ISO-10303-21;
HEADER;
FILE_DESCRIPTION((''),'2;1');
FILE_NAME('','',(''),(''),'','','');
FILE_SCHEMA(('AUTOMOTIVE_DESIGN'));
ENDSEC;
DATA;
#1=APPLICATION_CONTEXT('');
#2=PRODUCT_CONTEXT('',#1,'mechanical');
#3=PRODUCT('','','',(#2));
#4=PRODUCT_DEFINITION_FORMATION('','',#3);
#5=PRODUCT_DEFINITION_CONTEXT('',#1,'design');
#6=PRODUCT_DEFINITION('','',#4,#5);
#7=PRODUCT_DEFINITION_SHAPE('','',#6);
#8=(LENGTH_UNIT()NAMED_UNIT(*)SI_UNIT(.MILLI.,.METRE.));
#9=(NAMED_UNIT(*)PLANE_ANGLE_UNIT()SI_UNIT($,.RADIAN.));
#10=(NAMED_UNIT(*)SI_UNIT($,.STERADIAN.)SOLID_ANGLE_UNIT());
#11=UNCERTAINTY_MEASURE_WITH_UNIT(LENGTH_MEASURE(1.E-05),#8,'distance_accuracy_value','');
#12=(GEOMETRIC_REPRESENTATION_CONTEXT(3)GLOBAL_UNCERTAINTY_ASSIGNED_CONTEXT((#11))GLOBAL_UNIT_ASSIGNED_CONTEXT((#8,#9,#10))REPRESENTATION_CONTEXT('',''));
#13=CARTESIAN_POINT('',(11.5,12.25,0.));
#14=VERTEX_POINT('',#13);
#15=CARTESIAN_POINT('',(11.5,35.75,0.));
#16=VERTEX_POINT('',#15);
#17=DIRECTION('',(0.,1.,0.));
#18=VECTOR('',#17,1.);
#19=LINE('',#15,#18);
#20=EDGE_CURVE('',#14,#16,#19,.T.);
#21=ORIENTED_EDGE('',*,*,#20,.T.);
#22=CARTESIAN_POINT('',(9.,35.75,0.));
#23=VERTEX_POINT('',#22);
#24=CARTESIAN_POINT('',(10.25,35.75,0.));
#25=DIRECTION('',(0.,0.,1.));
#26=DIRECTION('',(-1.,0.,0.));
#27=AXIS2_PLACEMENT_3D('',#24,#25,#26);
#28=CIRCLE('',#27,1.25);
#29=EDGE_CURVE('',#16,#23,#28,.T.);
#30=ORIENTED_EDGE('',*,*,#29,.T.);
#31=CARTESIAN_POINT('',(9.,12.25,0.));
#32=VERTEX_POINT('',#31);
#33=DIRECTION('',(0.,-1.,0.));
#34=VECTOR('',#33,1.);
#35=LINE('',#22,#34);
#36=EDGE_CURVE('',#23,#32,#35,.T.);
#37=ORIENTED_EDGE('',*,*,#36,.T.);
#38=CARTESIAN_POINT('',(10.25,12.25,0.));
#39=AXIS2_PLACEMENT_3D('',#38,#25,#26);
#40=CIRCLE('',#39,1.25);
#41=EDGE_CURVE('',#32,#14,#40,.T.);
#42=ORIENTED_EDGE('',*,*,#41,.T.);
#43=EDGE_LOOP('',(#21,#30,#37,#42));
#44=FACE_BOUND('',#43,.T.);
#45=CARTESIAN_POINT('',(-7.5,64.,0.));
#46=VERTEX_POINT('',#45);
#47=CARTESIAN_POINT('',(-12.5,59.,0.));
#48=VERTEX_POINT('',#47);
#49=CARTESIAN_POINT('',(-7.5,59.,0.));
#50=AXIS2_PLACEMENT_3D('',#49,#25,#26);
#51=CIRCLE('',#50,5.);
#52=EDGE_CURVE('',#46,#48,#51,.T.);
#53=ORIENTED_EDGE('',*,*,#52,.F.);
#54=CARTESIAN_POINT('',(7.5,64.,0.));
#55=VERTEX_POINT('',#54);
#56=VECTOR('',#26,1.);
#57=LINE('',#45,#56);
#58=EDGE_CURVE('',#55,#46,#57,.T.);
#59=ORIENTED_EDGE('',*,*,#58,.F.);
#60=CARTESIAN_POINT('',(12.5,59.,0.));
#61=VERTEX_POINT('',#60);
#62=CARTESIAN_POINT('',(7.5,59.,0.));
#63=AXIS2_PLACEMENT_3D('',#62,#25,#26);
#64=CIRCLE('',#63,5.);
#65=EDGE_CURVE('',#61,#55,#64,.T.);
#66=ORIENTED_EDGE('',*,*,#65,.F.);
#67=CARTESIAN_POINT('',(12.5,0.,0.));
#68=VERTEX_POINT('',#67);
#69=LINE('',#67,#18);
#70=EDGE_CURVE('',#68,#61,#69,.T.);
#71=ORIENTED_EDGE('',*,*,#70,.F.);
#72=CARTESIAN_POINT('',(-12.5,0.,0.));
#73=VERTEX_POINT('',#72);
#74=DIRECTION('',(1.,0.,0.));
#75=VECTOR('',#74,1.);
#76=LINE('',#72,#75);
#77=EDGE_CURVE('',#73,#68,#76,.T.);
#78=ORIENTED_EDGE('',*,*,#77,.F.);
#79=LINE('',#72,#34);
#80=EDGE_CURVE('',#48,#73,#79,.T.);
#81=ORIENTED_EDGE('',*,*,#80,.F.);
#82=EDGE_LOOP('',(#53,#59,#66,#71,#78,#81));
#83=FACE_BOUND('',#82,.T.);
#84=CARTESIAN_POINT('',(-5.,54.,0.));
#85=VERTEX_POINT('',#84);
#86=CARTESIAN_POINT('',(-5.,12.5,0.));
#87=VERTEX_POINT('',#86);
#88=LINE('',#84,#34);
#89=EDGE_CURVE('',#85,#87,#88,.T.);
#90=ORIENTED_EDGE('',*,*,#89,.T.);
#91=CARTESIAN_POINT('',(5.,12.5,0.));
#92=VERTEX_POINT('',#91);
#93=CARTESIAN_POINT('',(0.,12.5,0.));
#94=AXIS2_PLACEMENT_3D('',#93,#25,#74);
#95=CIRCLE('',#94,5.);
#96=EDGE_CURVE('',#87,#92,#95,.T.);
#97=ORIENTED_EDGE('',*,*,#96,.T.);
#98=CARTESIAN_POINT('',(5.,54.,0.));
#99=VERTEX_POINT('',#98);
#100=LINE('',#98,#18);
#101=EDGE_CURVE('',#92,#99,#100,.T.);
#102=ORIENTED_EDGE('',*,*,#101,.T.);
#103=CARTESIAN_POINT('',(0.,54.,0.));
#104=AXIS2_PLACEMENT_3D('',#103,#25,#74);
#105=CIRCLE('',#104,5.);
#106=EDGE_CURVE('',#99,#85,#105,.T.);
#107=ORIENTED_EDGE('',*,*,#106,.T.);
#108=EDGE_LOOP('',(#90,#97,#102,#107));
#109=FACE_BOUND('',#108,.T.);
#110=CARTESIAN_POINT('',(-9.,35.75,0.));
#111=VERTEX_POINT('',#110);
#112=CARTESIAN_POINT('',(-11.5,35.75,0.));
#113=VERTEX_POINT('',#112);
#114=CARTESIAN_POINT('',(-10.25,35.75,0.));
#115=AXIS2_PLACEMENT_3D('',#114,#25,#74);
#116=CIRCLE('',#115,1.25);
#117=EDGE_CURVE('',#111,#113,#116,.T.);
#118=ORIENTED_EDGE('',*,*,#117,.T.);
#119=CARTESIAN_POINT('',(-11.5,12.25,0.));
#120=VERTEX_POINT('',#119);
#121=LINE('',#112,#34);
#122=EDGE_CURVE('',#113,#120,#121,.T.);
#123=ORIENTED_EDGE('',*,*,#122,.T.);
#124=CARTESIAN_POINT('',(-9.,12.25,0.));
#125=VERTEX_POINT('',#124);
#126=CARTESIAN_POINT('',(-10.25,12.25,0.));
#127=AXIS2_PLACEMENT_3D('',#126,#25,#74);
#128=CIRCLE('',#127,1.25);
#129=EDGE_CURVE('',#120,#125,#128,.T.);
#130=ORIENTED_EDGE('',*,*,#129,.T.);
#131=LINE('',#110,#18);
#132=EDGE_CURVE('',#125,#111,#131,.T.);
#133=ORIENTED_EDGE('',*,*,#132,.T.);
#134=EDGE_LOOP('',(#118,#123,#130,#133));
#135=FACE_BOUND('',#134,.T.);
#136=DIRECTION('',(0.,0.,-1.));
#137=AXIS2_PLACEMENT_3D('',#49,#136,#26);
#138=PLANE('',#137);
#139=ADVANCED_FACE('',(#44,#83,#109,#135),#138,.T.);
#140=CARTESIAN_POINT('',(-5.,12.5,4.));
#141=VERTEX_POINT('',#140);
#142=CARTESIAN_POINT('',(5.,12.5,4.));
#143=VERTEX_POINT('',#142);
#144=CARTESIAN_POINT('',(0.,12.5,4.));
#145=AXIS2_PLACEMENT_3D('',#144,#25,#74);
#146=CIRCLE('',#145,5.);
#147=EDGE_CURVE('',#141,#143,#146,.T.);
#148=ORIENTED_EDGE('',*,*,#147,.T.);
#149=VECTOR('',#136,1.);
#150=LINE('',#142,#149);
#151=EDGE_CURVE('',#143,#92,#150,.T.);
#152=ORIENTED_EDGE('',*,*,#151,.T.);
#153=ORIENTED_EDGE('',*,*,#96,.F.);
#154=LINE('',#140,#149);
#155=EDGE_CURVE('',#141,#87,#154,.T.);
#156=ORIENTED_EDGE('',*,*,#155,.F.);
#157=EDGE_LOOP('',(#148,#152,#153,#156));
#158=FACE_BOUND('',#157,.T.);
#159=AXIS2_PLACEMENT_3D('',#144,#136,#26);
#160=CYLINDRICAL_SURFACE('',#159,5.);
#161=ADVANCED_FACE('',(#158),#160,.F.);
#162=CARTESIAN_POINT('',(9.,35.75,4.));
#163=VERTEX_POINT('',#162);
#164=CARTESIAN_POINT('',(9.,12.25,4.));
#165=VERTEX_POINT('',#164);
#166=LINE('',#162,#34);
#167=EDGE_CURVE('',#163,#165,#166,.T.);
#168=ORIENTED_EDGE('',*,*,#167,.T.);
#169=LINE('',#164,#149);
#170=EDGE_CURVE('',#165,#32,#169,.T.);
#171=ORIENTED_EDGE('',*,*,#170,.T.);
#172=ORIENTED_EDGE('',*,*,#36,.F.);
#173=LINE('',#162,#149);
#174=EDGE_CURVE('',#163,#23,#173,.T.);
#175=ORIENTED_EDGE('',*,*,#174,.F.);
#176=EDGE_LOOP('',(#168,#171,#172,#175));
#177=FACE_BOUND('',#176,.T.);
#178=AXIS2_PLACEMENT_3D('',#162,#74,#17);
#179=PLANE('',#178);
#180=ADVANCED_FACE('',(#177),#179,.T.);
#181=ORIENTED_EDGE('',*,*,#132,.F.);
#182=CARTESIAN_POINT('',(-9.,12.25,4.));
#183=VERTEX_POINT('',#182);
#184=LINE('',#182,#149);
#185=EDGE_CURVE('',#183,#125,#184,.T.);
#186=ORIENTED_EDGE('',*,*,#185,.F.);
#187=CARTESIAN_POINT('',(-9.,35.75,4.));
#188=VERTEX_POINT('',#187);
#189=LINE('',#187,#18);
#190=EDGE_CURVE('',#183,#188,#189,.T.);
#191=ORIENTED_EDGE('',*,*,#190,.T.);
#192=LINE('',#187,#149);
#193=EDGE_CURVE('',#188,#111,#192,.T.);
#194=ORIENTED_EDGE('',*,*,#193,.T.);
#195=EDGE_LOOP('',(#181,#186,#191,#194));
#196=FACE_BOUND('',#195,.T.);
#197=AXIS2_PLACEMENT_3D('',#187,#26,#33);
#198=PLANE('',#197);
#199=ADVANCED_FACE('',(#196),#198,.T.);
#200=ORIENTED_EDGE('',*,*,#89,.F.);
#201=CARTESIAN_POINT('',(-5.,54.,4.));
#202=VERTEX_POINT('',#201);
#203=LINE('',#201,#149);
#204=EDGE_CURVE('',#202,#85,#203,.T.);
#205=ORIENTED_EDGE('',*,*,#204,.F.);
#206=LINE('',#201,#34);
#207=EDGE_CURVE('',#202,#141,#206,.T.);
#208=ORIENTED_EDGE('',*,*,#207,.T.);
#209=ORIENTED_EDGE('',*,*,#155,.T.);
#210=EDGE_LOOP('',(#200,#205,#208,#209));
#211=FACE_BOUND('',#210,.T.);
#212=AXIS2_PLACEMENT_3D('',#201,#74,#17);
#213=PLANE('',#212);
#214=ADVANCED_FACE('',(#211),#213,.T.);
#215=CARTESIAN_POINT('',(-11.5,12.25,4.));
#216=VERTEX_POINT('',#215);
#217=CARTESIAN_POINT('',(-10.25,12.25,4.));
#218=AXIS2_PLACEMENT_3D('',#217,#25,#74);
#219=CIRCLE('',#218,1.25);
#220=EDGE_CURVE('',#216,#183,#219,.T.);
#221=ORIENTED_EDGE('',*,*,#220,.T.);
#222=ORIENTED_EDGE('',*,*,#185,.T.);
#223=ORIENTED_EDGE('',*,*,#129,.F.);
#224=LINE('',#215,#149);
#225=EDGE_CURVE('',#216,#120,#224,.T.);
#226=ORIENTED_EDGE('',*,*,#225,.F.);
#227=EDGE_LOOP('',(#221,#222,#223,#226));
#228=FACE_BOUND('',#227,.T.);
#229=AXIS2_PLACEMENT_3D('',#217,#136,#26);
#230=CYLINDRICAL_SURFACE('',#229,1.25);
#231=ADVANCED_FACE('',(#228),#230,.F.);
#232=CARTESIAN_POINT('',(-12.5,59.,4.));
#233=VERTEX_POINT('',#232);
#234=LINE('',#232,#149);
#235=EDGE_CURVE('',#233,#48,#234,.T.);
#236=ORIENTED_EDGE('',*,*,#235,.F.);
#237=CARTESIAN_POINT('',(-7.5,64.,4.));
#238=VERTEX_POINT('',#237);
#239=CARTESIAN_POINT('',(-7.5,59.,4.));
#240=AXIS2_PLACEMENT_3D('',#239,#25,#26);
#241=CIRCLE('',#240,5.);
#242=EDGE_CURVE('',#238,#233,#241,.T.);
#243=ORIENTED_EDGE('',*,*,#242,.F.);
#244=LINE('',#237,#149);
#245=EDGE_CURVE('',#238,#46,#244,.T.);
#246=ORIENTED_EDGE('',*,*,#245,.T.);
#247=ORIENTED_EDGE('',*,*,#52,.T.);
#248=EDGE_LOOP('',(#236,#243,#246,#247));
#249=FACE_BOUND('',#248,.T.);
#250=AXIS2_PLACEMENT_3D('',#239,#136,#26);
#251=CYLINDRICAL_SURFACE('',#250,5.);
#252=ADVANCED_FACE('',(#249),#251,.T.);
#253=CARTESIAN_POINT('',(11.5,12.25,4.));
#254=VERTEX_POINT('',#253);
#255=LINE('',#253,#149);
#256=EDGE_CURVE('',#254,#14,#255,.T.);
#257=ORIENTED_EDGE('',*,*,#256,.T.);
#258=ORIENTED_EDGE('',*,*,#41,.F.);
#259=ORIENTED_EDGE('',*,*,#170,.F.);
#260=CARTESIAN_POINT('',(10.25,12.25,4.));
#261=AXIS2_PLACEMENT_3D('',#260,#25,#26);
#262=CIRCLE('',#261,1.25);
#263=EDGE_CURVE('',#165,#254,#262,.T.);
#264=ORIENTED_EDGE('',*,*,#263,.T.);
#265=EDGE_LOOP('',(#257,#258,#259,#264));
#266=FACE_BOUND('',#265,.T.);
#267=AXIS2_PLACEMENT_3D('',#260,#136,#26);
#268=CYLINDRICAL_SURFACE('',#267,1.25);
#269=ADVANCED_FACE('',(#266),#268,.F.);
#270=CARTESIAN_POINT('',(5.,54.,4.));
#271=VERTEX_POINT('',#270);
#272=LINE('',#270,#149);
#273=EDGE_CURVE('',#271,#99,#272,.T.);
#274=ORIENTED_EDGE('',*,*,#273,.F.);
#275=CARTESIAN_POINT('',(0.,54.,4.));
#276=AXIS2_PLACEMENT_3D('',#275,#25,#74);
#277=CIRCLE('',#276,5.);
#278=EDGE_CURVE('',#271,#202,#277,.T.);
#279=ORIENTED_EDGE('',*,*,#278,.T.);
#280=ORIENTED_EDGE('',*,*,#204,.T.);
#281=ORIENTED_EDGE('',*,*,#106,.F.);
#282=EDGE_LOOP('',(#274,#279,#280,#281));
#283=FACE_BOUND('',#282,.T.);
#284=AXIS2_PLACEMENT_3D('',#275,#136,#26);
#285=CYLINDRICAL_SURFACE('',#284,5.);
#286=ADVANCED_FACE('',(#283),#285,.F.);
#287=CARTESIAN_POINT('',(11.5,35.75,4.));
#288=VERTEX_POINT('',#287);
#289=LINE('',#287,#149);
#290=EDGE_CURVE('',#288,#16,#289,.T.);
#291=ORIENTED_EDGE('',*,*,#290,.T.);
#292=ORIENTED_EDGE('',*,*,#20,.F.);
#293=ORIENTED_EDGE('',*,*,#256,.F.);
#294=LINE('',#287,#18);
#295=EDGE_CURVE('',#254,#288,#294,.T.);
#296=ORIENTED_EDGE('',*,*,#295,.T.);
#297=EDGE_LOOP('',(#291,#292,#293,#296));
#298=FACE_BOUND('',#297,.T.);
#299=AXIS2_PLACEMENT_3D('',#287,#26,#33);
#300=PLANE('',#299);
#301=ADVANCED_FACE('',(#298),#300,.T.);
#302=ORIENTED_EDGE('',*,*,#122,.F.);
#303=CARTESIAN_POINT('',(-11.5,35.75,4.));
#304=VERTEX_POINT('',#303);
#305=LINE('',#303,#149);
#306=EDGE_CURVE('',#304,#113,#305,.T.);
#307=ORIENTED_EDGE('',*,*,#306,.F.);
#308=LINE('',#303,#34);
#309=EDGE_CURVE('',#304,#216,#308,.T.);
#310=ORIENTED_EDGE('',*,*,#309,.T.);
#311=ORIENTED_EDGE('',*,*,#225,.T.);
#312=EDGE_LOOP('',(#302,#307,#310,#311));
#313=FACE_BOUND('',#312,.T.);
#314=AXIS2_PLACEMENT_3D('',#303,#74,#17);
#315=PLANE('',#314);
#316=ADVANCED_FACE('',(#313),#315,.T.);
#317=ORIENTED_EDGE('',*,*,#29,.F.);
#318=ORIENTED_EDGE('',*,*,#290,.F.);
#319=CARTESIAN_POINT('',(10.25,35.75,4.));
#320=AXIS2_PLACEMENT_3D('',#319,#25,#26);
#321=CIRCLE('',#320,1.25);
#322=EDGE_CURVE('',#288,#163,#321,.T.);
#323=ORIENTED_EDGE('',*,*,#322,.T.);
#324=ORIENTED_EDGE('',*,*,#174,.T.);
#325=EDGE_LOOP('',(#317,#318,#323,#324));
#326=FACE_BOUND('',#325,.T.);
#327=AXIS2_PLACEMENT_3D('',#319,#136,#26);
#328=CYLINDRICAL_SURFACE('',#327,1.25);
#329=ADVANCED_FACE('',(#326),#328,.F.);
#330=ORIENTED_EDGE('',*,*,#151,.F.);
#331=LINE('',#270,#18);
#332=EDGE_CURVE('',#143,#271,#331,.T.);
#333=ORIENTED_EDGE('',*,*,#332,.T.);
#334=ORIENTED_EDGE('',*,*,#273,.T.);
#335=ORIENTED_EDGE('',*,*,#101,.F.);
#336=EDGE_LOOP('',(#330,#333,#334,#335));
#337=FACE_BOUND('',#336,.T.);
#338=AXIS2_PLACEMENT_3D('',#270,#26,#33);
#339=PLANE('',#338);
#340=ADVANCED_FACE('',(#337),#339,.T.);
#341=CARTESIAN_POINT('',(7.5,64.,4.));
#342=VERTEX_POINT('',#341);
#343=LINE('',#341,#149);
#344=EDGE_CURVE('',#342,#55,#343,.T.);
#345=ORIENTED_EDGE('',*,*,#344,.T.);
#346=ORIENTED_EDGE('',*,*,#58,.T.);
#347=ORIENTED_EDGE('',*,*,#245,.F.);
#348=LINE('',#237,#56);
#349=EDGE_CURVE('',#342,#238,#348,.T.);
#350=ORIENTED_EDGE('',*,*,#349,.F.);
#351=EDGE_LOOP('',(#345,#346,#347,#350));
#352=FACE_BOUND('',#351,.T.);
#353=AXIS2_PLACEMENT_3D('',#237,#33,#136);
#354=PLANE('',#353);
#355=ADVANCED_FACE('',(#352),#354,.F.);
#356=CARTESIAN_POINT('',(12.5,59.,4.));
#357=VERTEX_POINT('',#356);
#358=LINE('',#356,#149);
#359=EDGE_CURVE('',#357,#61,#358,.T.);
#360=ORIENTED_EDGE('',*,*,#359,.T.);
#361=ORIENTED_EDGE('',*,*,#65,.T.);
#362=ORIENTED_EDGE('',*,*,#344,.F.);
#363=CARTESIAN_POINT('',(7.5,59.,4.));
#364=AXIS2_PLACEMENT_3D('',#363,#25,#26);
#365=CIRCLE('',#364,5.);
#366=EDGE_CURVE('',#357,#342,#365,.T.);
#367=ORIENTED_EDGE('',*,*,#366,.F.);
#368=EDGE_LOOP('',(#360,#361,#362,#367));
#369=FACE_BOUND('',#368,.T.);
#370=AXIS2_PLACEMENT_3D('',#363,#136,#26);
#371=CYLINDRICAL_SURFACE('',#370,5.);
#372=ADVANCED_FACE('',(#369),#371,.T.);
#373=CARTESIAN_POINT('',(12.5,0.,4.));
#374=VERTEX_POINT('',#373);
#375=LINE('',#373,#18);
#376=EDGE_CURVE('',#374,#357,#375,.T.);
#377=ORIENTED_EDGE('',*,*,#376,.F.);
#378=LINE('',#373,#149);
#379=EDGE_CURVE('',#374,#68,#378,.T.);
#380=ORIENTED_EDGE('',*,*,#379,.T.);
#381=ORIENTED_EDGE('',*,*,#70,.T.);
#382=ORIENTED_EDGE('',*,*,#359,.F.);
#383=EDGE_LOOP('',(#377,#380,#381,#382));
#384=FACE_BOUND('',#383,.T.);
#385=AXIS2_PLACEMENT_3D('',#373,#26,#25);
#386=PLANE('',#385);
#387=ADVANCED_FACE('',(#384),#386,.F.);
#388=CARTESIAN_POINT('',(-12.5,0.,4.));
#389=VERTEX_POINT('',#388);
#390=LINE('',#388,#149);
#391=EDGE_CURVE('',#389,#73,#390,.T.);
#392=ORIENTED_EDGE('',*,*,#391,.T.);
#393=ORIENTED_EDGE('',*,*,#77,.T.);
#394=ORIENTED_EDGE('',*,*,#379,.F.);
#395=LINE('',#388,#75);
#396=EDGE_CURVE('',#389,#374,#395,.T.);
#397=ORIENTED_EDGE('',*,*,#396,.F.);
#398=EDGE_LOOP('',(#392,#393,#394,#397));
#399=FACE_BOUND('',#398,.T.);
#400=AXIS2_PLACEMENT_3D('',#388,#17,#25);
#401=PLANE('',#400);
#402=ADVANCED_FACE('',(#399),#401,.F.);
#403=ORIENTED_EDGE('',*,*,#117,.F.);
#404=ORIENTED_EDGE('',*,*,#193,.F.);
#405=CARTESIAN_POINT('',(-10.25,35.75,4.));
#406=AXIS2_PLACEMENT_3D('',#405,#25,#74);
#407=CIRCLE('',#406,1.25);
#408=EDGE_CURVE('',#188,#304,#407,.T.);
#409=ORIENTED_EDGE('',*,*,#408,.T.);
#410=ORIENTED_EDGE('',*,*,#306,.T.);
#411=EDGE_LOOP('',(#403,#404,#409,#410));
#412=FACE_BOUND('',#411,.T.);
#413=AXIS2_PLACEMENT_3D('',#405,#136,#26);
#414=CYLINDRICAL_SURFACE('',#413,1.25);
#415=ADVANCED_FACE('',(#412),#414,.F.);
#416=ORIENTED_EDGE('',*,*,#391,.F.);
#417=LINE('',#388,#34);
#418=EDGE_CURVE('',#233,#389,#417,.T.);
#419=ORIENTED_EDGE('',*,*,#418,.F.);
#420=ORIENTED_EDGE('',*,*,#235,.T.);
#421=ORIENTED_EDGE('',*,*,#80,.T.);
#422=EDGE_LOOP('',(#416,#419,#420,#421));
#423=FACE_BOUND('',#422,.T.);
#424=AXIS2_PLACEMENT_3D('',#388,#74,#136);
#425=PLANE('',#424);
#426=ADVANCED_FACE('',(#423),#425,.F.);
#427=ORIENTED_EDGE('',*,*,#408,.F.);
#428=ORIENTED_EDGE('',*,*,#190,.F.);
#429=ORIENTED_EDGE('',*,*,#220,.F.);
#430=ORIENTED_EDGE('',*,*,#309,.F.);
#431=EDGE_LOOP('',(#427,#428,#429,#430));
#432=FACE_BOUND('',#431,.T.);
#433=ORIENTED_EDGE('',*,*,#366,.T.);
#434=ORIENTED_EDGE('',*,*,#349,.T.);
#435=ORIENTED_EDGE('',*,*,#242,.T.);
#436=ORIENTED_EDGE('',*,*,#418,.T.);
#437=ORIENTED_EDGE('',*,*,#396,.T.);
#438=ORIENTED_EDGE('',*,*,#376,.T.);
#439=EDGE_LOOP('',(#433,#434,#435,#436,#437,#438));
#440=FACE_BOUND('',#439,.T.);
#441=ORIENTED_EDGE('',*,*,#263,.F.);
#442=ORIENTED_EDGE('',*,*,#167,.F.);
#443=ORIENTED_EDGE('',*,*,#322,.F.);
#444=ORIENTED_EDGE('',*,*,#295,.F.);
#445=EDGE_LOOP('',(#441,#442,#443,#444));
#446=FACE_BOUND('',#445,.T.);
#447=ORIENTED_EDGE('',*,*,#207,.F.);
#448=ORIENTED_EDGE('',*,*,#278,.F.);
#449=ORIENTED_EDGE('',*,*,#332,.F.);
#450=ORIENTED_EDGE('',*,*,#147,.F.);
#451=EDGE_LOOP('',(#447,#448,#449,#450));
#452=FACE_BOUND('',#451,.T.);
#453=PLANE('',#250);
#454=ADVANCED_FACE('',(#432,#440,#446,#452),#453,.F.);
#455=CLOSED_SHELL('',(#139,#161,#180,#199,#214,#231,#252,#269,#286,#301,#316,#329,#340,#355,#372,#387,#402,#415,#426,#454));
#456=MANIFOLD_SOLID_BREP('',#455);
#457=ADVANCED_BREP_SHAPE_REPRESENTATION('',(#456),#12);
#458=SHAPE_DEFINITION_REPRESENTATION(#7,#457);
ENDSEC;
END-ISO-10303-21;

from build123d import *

# Parameters (mm, degrees)
DODANIE_WYCI_GNI_CIE1_DEPTH = 4


with BuildPart() as part:
    # Szkic1 → Dodanie-wyciągnięcie1 (new body)
    with BuildSketch(Plane.XY):
        with BuildLine():
            Line((-12.5, 0), (12.5, 0))
            Line((12.5, 0), (12.5, 59))
            ThreePointArc((12.5, 59), (11.035533906, 62.535533906), (7.5, 64))
            Line((7.5, 64), (-7.5, 64))
            ThreePointArc((-7.5, 64), (-11.035533906, 62.535533906), (-12.5, 59))
            Line((-12.5, 59), (-12.5, 0))
        make_face()
        with BuildLine():
            Line((5, 54), (5, 12.5))
            ThreePointArc((5, 12.5), (0, 7.5), (-5, 12.5))
            Line((-5, 12.5), (-5, 54))
            ThreePointArc((-5, 54), (0, 59), (5, 54))
        make_face(mode=Mode.SUBTRACT)
        with BuildLine():
            Line((-9, 35.75), (-9, 12.25))
            ThreePointArc((-9, 12.25), (-10.25, 11), (-11.5, 12.25))
            Line((-11.5, 12.25), (-11.5, 35.75))
            ThreePointArc((-11.5, 35.75), (-10.25, 37), (-9, 35.75))
        make_face(mode=Mode.SUBTRACT)
        with BuildLine():
            Line((9, 35.75), (9, 12.25))
            ThreePointArc((9, 12.25), (10.25, 11), (11.5, 12.25))
            Line((11.5, 12.25), (11.5, 35.75))
            ThreePointArc((11.5, 35.75), (10.25, 37), (9, 35.75))
        make_face(mode=Mode.SUBTRACT)
    extrude(amount=DODANIE_WYCI_GNI_CIE1_DEPTH)


solid = part.part
